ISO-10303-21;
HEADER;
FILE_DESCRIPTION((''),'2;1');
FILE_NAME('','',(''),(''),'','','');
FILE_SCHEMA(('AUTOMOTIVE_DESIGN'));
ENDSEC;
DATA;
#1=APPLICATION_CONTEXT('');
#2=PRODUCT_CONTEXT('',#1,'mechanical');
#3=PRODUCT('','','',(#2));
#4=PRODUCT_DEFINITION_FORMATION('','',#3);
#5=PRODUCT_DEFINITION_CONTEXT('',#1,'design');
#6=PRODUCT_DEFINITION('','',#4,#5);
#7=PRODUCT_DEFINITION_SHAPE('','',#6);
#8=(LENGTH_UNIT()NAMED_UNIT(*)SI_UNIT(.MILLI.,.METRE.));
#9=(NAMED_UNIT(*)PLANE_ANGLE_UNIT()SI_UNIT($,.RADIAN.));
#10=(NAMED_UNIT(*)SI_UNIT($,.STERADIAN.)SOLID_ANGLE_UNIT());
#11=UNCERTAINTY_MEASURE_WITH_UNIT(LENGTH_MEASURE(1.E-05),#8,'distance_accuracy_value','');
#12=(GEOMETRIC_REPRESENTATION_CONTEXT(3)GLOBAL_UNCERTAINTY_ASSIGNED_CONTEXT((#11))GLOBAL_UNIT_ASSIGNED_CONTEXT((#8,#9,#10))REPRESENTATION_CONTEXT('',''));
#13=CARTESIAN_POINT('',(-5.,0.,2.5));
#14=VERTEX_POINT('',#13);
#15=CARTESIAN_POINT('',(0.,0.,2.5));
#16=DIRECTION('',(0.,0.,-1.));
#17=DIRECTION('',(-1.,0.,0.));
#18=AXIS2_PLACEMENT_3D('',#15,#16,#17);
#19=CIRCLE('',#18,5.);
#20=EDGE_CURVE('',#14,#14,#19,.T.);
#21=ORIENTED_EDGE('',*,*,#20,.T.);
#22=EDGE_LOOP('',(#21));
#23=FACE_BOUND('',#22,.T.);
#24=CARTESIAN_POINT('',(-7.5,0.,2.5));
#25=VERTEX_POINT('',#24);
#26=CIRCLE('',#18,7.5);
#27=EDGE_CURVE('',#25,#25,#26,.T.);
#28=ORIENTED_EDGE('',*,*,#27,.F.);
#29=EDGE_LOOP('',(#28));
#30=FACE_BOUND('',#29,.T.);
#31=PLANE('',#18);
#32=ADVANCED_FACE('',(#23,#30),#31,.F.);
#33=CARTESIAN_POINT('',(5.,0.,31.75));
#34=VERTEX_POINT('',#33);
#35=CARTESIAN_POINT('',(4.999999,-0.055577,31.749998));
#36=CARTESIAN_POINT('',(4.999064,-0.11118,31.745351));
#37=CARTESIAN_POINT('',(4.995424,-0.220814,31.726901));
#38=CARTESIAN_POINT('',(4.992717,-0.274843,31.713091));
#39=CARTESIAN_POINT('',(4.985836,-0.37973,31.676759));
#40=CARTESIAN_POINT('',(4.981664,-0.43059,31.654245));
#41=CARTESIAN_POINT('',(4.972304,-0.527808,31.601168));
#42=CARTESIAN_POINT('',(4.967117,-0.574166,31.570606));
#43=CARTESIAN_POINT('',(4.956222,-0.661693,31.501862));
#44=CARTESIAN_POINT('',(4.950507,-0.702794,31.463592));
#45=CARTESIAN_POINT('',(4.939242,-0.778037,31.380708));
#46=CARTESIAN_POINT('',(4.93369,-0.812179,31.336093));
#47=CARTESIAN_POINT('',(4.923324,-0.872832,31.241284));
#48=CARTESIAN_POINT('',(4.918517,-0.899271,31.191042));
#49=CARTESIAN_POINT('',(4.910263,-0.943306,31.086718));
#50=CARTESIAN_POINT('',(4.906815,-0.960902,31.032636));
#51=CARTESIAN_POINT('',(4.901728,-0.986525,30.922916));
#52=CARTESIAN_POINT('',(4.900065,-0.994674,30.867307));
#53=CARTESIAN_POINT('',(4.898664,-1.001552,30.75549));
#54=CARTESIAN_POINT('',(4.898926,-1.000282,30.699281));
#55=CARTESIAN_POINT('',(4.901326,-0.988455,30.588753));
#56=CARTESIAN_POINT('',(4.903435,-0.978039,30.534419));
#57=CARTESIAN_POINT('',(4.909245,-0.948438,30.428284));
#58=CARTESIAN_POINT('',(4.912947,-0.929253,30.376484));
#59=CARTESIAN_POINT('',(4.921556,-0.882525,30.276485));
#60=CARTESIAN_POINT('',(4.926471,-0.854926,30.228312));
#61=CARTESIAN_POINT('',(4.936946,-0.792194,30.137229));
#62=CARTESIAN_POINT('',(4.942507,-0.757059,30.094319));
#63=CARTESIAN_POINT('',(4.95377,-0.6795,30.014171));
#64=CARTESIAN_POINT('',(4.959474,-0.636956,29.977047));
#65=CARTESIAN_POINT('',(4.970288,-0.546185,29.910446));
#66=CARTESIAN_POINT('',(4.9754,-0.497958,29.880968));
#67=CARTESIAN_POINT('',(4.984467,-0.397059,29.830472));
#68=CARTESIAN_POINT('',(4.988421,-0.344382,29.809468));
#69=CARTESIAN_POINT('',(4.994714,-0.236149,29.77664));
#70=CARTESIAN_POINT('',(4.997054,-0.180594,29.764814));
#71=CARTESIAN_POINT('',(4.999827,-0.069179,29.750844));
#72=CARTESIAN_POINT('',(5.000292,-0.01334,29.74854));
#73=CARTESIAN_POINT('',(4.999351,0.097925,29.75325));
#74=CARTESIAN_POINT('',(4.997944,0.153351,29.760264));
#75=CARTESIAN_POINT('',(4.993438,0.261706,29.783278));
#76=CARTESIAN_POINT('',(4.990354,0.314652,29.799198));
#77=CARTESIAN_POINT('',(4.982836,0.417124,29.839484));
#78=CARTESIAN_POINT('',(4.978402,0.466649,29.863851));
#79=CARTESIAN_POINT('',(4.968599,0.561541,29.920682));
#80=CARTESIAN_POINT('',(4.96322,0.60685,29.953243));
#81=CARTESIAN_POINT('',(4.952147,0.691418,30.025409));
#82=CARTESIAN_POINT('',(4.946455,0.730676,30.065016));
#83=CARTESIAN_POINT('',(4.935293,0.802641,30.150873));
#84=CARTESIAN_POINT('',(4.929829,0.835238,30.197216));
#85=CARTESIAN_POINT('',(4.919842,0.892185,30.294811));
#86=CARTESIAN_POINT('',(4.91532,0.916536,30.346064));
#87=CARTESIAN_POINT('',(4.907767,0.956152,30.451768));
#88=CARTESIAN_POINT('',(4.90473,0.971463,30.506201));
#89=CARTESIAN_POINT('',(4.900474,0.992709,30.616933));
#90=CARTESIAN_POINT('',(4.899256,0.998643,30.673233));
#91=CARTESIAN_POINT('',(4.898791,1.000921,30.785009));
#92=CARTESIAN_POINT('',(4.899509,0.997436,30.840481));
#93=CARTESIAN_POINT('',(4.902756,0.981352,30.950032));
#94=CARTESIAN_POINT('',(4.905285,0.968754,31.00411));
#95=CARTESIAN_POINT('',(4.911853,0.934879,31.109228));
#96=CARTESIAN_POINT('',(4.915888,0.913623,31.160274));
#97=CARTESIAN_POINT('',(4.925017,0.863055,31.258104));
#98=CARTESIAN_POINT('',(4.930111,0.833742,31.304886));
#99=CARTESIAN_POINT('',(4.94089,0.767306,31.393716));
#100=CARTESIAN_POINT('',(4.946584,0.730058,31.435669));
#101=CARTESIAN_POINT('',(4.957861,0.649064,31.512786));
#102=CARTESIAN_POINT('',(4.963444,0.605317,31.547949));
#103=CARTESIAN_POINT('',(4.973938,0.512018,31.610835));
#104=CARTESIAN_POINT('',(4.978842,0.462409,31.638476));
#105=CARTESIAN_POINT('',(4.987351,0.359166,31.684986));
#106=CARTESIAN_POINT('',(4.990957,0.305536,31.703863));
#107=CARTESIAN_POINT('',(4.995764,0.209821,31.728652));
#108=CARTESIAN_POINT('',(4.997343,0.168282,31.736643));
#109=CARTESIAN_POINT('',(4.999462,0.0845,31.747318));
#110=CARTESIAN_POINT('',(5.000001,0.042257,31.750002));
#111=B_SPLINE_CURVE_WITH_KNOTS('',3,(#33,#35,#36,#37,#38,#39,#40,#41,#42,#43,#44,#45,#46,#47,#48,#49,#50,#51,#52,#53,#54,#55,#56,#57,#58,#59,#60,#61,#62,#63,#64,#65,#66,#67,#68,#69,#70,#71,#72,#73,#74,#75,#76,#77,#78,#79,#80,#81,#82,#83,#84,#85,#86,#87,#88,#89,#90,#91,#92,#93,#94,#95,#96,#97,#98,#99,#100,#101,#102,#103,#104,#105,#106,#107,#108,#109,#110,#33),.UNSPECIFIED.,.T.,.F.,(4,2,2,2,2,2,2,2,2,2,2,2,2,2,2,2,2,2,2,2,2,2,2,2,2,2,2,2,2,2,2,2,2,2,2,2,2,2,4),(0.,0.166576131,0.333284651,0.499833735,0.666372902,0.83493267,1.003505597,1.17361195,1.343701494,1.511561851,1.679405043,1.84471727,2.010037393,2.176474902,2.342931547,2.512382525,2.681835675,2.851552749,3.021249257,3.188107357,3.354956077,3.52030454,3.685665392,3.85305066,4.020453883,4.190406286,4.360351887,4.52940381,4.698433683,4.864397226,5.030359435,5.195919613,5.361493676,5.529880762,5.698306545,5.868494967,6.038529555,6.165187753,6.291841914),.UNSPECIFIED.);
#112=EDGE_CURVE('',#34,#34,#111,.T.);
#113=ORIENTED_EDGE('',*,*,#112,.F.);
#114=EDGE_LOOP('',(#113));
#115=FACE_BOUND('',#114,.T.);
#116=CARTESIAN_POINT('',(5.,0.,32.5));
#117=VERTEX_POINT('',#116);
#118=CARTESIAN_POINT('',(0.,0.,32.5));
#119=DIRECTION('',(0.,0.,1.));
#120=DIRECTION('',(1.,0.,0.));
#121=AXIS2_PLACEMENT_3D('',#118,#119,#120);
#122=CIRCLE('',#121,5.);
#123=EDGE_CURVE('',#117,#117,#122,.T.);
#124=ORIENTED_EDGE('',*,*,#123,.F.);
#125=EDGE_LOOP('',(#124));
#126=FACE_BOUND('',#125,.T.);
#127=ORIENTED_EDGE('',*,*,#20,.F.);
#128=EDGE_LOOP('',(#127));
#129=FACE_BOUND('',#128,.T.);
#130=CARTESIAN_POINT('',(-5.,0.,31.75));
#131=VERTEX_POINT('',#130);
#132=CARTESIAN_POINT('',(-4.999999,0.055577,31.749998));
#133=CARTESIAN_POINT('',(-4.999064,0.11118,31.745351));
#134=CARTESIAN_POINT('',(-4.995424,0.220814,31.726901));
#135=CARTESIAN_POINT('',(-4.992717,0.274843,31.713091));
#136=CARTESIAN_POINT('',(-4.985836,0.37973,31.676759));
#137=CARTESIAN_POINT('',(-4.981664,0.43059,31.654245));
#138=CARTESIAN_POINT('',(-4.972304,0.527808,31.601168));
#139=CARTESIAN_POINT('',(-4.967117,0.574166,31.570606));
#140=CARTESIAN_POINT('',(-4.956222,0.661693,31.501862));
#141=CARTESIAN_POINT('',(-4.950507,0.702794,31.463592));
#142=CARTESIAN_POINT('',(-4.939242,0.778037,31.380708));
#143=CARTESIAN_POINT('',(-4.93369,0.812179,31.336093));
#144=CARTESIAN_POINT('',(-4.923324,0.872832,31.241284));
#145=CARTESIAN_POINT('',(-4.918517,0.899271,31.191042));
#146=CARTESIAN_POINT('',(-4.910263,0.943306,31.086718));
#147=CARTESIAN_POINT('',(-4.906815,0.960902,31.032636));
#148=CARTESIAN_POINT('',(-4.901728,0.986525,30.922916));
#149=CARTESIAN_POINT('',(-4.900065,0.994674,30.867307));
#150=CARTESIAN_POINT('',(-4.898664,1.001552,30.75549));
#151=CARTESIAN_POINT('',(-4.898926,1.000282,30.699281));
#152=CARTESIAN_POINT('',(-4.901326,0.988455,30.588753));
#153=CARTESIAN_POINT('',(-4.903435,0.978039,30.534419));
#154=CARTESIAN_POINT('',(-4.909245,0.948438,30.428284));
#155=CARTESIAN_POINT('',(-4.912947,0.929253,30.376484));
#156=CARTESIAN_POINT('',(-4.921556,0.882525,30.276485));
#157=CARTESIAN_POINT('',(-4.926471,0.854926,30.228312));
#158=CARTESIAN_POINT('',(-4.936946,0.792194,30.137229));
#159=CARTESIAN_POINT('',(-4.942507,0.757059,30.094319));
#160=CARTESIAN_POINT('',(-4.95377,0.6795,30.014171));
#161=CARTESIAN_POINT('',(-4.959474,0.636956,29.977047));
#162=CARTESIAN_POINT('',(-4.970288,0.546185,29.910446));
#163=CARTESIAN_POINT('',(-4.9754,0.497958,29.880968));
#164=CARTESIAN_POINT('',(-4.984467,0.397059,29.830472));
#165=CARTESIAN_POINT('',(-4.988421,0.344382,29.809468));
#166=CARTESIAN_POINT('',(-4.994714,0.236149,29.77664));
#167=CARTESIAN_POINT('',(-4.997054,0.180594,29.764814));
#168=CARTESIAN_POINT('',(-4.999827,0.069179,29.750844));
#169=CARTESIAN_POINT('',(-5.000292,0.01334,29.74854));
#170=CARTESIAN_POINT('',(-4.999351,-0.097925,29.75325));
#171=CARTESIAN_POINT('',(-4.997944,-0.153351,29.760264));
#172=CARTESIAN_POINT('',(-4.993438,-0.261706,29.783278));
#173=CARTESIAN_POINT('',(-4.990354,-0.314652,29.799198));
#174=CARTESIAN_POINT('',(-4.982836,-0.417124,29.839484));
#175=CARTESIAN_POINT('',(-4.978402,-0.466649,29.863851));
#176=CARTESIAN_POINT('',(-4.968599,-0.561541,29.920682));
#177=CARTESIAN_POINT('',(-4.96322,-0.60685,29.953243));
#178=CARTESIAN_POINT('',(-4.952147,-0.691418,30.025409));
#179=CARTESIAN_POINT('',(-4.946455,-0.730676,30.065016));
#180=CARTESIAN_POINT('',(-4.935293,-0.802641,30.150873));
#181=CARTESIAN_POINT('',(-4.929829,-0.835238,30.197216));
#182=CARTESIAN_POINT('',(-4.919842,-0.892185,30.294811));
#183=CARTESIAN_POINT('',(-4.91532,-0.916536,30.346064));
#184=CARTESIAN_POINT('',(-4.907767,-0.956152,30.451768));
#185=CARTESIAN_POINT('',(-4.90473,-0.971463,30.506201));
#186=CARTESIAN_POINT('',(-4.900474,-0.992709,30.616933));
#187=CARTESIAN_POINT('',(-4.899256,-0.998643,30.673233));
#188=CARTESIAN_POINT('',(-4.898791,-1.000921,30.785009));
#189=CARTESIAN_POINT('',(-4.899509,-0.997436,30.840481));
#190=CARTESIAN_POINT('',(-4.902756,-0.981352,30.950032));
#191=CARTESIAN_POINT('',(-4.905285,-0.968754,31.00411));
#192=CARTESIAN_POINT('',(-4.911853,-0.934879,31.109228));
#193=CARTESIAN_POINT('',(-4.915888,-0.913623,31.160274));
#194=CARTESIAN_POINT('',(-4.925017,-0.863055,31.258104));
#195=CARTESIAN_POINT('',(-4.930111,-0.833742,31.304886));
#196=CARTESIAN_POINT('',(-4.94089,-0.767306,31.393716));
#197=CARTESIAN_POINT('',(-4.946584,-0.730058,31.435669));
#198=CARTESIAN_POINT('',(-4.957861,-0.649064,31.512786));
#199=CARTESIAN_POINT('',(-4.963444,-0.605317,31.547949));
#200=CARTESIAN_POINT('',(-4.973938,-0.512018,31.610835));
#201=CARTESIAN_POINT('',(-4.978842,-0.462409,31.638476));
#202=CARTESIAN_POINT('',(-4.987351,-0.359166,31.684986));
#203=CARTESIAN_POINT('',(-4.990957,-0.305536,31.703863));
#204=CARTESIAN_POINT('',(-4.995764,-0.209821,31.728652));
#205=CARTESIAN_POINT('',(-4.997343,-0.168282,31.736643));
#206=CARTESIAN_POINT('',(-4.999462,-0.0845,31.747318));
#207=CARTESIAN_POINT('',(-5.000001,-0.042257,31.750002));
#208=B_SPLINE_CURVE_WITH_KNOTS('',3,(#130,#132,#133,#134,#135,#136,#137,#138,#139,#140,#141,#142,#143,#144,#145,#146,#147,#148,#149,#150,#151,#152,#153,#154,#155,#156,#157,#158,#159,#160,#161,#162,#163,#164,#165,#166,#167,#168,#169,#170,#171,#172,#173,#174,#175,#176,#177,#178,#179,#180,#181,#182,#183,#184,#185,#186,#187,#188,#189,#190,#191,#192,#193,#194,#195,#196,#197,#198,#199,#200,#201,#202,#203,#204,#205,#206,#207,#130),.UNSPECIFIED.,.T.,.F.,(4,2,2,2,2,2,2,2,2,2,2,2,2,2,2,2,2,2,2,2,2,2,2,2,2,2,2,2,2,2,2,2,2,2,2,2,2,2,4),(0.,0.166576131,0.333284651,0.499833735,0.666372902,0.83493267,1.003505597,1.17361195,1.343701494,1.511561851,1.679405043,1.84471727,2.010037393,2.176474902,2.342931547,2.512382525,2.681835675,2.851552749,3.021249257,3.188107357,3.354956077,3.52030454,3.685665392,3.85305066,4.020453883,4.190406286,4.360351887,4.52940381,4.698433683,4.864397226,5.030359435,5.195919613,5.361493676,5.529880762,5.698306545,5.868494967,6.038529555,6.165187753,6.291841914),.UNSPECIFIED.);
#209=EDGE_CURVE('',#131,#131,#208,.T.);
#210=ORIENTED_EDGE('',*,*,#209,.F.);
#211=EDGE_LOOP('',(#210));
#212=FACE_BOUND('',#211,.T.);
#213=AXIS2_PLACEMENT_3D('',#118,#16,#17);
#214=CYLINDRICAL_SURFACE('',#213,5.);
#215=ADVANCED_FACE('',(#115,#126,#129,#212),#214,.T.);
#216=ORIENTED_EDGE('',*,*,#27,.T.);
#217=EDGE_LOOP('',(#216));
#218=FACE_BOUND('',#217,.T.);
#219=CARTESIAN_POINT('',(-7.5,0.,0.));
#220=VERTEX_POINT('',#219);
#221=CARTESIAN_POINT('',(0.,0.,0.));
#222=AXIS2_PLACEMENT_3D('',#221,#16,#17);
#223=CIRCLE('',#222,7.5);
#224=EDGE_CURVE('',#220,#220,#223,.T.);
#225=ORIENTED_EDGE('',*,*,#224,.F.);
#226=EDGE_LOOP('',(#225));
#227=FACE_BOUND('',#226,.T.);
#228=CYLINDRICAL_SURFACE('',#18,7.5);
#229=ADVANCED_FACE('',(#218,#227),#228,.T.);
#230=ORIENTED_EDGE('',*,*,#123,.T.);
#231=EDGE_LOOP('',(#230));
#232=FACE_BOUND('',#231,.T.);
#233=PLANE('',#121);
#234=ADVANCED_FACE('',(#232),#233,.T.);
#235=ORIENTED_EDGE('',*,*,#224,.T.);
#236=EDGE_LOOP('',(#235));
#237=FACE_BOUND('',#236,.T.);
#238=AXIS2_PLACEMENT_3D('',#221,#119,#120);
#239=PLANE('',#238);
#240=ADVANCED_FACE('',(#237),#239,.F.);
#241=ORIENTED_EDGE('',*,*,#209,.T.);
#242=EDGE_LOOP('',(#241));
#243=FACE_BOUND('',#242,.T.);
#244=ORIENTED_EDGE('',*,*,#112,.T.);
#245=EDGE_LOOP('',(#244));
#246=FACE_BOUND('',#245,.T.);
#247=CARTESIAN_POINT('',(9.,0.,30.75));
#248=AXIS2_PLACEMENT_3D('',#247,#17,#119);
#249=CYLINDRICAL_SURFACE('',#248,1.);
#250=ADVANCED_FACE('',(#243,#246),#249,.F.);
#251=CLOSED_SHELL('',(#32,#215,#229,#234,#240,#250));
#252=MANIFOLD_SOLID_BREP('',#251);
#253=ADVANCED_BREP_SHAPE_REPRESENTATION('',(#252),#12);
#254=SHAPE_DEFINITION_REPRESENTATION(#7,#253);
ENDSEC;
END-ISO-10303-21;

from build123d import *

# Parameters (mm, degrees)
SKETCH1_R               = 10
BOSS_EXTRUDE1_DEPTH     = 65
CUT_EXTRUDE1_DEPTH      = 18
CUT_EXTRUDE1_DEPTH_BACK = 16
SKETCH2_R               = 2
SKETCH5_R               = 15
BOSS_EXTRUDE3_DEPTH     = 5
SCALE1_SCALE            = 0.5


with BuildPart() as part:
    # Sketch1 → Boss-Extrude1 (new body)
    with BuildSketch(Plane.XY):
        Circle(SKETCH1_R)
    extrude(amount=BOSS_EXTRUDE1_DEPTH)

    # Sketch2 → Cut-Extrude1 (cut, two sides: drawn at the far end of the back side and taken through both)
    with BuildSketch(Plane(origin=(0, 0, 0), x_dir=(0, 0, -1), z_dir=(1, 0, 0)).offset(-CUT_EXTRUDE1_DEPTH_BACK)):
        with Locations(Location((-61.5, 0, 0), (0, 0, 180))):
            Circle(SKETCH2_R)
    extrude(amount=CUT_EXTRUDE1_DEPTH + CUT_EXTRUDE1_DEPTH_BACK, mode=Mode.SUBTRACT)

    # Sketch5 → Boss-Extrude3 (add)
    with BuildSketch(Plane(origin=(0, 0, 0), x_dir=(-1, 0, 0), z_dir=(0, 0, -1))):
        Circle(SKETCH5_R)
    extrude(amount=-BOSS_EXTRUDE3_DEPTH)


with BuildPart() as part_1:
    # Scale1: scaled about (0, 0, 0)
    add(part.part.scale(SCALE1_SCALE))


solid = part_1.part
